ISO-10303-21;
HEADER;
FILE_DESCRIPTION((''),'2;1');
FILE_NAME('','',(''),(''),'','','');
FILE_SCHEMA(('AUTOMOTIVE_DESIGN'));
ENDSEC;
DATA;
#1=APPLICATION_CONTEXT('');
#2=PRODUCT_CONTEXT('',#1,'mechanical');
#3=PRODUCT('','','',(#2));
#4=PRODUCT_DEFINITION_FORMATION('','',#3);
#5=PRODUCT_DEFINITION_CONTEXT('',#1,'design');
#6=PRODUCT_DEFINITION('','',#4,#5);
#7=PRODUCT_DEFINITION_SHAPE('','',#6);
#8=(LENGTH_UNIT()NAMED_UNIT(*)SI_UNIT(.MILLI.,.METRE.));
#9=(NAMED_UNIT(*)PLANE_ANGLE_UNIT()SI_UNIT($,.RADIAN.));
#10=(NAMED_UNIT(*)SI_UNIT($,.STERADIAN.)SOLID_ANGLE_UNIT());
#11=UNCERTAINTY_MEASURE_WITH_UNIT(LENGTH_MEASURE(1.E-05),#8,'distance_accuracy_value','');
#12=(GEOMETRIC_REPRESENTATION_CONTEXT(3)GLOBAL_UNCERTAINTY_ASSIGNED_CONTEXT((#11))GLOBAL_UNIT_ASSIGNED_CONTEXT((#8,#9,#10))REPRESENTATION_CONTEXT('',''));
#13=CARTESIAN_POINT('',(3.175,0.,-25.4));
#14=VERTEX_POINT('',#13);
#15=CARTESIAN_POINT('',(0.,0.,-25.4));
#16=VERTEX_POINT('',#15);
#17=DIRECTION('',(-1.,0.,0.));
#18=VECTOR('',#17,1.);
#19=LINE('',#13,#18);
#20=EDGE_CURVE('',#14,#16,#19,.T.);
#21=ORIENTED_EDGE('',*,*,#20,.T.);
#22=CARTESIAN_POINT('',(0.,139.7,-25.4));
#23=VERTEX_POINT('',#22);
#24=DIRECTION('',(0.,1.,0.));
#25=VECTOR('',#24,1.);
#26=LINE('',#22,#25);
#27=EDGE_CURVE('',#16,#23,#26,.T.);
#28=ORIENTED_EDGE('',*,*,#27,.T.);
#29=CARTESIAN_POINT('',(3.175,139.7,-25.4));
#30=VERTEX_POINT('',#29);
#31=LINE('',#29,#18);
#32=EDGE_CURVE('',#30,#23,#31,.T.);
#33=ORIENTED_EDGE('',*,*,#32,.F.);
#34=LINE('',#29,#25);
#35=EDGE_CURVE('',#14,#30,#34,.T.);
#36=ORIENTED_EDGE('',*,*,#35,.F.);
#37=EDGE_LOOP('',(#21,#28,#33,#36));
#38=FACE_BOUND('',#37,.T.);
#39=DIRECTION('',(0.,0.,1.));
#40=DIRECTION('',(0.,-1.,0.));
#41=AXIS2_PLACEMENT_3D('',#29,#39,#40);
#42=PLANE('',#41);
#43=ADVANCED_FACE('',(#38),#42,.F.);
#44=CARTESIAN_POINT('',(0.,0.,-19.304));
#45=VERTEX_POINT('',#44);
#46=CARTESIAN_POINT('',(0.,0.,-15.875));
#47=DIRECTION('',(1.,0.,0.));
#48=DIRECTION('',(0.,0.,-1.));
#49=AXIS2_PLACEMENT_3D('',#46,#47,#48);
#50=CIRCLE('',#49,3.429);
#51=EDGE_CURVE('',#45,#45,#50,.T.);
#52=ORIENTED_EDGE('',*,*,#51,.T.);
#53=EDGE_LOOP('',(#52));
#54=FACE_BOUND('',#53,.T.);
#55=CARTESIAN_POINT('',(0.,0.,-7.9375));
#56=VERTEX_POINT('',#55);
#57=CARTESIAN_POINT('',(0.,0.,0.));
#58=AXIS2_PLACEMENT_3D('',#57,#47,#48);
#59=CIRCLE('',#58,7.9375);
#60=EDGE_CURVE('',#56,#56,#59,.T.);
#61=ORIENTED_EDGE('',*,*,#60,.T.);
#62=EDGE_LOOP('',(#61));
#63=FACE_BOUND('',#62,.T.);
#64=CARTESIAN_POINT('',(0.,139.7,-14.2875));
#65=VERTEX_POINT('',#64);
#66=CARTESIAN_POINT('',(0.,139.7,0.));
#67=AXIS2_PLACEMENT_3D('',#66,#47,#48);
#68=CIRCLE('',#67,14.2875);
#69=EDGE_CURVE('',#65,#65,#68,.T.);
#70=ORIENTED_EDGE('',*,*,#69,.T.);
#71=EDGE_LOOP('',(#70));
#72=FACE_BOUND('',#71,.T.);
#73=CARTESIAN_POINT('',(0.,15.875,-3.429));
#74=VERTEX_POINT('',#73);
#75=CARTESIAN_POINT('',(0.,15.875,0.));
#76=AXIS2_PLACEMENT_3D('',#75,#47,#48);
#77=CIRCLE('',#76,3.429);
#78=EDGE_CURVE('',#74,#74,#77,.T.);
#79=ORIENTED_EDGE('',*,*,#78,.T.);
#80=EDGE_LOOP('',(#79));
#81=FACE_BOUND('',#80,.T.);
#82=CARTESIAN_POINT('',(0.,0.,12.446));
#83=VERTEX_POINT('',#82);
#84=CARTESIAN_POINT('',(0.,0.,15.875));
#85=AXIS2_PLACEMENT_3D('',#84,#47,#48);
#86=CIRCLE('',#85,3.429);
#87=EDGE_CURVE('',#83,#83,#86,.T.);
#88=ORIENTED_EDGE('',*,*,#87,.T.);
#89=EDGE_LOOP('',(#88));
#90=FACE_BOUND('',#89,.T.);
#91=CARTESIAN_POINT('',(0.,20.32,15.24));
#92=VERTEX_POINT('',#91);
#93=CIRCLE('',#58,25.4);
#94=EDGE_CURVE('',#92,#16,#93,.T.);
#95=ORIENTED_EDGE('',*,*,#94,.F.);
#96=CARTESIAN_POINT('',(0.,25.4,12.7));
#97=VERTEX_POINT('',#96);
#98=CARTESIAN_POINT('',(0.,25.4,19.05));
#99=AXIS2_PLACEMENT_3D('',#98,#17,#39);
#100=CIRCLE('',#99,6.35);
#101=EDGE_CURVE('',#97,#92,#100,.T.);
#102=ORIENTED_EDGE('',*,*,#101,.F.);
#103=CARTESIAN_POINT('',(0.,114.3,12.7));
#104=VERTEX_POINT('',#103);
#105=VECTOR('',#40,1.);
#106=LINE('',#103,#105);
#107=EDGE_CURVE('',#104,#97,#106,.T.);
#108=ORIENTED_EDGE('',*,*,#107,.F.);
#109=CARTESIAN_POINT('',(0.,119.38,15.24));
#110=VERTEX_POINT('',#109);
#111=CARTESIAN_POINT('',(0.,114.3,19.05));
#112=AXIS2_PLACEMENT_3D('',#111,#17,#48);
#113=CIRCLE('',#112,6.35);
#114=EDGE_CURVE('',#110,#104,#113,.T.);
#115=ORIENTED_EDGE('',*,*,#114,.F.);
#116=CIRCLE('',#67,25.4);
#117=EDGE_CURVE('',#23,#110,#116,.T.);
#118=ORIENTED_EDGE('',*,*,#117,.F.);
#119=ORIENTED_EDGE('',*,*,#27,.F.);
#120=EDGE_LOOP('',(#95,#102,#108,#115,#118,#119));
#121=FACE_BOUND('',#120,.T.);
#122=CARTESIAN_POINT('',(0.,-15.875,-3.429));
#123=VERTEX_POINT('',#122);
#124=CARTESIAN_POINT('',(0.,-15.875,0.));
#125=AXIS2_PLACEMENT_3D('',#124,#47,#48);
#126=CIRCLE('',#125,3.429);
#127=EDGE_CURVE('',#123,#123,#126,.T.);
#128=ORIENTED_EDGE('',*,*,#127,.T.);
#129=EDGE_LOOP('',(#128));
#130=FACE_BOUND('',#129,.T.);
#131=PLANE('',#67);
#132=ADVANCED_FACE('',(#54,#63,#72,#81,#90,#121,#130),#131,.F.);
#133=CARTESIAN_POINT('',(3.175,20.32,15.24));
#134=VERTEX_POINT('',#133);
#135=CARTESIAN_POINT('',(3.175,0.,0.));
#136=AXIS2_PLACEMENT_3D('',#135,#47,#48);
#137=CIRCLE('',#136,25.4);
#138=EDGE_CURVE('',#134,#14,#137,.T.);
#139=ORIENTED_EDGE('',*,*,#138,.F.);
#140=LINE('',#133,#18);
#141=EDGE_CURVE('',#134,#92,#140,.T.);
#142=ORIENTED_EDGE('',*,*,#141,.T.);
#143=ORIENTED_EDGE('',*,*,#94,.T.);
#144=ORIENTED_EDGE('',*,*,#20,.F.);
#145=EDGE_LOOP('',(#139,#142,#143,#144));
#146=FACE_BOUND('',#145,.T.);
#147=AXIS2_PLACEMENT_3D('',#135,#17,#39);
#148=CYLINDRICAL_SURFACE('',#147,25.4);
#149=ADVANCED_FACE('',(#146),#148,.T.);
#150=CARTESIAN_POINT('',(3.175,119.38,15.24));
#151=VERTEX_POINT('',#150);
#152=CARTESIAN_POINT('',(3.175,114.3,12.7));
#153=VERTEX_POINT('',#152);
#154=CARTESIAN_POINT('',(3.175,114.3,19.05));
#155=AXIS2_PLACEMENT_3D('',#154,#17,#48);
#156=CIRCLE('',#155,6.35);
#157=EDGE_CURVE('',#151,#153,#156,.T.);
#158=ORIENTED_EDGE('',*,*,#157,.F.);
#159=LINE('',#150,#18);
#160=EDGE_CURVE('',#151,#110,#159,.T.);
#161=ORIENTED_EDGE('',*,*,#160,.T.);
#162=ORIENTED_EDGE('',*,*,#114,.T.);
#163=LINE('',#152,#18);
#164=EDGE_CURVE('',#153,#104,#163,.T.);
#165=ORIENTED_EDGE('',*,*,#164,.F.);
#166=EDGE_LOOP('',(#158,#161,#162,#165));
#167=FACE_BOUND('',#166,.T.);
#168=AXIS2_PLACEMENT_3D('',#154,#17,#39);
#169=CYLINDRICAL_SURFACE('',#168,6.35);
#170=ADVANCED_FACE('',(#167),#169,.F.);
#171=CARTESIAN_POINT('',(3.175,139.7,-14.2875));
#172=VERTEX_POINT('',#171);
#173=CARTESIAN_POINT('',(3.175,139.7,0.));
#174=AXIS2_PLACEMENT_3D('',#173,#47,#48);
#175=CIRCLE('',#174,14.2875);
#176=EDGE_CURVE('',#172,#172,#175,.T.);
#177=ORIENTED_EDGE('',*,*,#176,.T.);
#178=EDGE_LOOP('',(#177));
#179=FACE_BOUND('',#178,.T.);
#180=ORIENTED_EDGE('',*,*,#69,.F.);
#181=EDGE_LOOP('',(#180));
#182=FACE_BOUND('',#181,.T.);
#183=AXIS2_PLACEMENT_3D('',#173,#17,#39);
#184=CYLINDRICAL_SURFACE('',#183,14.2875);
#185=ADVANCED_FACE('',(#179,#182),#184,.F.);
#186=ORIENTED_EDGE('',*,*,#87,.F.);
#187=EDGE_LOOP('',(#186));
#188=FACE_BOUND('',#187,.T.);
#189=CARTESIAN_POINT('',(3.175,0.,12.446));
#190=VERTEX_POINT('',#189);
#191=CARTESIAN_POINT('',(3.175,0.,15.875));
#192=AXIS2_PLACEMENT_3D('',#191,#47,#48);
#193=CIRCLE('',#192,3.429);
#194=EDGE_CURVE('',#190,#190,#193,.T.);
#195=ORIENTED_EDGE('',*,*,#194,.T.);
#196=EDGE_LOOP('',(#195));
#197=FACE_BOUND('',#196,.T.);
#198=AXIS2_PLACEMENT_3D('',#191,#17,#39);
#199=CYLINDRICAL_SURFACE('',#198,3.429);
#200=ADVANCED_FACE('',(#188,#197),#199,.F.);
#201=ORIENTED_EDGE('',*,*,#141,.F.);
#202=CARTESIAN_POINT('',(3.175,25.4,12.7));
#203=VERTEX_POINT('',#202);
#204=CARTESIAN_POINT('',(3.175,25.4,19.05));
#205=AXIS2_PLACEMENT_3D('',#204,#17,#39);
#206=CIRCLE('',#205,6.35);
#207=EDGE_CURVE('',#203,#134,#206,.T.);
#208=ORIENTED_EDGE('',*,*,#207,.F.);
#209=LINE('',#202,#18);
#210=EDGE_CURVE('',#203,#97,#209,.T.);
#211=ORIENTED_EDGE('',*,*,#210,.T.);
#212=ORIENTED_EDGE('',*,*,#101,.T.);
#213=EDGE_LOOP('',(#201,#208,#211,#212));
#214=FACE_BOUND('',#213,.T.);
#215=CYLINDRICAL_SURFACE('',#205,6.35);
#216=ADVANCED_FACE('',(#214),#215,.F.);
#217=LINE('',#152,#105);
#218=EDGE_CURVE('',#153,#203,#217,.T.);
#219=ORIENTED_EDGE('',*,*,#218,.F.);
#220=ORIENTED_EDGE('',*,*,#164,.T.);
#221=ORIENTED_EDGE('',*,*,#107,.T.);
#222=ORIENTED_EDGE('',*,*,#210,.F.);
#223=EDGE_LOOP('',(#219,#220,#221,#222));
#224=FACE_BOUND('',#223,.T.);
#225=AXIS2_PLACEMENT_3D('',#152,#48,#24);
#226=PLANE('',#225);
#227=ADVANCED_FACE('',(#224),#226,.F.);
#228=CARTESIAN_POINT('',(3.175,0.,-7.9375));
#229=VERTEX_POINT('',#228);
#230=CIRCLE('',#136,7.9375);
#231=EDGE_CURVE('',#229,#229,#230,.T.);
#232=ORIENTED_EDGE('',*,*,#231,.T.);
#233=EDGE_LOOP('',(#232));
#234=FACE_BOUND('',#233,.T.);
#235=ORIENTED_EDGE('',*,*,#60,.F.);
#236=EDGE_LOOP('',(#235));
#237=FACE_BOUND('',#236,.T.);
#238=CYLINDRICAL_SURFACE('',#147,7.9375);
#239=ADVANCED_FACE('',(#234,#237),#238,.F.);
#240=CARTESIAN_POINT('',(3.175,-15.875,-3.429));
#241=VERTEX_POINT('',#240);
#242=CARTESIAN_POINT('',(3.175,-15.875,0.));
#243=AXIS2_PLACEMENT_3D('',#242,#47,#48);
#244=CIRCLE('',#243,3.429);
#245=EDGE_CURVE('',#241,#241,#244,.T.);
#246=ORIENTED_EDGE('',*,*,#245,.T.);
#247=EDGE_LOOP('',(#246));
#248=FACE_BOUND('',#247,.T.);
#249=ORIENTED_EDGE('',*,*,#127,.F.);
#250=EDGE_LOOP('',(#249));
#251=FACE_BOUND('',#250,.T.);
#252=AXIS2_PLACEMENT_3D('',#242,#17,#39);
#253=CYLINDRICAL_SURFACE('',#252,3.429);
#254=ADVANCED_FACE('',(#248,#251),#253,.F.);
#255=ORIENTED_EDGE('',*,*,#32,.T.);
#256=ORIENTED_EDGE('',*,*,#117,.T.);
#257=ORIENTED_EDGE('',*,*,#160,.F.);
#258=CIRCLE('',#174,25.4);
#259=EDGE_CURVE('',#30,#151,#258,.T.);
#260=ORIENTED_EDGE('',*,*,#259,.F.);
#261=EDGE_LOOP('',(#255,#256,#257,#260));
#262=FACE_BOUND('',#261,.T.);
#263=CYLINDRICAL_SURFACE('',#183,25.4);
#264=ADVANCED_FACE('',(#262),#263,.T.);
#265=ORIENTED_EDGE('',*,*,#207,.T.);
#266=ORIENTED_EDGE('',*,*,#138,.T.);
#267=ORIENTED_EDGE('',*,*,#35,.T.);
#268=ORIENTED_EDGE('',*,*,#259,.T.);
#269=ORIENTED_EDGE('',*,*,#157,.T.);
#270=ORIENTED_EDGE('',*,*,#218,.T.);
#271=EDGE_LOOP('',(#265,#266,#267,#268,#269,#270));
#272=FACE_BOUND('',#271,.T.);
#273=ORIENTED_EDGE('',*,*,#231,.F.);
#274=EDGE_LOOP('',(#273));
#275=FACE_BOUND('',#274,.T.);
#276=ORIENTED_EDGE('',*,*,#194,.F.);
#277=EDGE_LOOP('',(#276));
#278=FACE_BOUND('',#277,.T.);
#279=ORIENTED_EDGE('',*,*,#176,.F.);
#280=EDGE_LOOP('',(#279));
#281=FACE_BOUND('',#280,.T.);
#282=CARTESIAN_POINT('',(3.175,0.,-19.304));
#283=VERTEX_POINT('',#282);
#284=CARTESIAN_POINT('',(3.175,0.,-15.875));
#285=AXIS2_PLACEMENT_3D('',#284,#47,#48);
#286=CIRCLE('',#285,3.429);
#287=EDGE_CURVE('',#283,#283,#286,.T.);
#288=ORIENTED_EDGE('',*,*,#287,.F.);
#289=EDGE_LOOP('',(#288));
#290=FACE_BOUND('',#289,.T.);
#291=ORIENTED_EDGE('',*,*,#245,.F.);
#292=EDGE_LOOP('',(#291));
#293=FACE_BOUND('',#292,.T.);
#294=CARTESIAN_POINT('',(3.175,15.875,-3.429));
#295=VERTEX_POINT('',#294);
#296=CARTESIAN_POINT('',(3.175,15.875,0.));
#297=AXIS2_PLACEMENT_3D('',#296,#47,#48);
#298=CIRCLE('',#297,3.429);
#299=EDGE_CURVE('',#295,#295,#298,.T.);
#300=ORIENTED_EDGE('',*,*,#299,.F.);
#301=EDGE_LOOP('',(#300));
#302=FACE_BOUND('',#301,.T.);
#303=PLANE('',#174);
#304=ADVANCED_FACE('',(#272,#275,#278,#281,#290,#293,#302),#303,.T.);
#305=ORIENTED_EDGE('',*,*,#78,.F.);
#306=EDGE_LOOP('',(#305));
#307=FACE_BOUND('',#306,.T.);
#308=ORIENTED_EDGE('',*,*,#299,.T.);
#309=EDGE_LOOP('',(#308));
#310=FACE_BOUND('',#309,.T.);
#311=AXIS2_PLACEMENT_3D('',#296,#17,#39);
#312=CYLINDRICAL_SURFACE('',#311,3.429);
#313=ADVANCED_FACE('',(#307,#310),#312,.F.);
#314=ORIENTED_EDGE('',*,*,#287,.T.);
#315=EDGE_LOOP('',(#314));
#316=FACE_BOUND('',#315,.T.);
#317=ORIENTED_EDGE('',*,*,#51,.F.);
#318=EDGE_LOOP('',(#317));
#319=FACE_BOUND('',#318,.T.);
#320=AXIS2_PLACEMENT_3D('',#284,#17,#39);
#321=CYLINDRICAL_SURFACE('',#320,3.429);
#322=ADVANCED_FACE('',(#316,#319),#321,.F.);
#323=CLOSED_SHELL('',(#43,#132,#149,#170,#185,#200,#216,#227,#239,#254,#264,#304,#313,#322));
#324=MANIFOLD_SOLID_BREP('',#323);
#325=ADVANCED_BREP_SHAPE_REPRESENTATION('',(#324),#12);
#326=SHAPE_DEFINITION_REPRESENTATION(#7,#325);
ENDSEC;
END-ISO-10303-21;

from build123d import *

# Parameters (mm, degrees)
SKETCH1_R           = 7.9375
SKETCH1_R_2         = 14.2875
SKETCH1_R_3         = 3.429
BOSS_EXTRUDE1_DEPTH = 3.175


with BuildPart() as part:
    # Sketch1 → Boss-Extrude1 (new body)
    with BuildSketch(Plane(origin=(0, 0, 0), x_dir=(0, 0, -1), z_dir=(1, 0, 0))):
        with BuildLine():
            Line((25.4, 139.7), (25.4, 0))
            ThreePointArc((25.4, 0), (-11.359225326, -22.718450651), (-15.24, 20.32))
            ThreePointArc((-15.24, 20.32), (-13.370387337, 22.560193669), (-12.7, 25.4))
            Line((-12.7, 25.4), (-12.7, 114.3))
            ThreePointArc((-12.7, 114.3), (-13.370387337, 117.139806331), (-15.24, 119.38))
            ThreePointArc((-15.24, 119.38), (-11.359225326, 162.418450651), (25.4, 139.7))
        make_face()
        Circle(SKETCH1_R, mode=Mode.SUBTRACT)
        with Locations((0, 139.7)):
            Circle(SKETCH1_R_2, mode=Mode.SUBTRACT)
        with Locations((0, 15.875)):
            Circle(SKETCH1_R_3, mode=Mode.SUBTRACT)
        with Locations((15.875, 0)):
            Circle(SKETCH1_R_3, mode=Mode.SUBTRACT)
        with Locations((0, -15.875)):
            Circle(SKETCH1_R_3, mode=Mode.SUBTRACT)
        with Locations((-15.875, 0)):
            Circle(SKETCH1_R_3, mode=Mode.SUBTRACT)
    extrude(amount=BOSS_EXTRUDE1_DEPTH)


solid = part.part
